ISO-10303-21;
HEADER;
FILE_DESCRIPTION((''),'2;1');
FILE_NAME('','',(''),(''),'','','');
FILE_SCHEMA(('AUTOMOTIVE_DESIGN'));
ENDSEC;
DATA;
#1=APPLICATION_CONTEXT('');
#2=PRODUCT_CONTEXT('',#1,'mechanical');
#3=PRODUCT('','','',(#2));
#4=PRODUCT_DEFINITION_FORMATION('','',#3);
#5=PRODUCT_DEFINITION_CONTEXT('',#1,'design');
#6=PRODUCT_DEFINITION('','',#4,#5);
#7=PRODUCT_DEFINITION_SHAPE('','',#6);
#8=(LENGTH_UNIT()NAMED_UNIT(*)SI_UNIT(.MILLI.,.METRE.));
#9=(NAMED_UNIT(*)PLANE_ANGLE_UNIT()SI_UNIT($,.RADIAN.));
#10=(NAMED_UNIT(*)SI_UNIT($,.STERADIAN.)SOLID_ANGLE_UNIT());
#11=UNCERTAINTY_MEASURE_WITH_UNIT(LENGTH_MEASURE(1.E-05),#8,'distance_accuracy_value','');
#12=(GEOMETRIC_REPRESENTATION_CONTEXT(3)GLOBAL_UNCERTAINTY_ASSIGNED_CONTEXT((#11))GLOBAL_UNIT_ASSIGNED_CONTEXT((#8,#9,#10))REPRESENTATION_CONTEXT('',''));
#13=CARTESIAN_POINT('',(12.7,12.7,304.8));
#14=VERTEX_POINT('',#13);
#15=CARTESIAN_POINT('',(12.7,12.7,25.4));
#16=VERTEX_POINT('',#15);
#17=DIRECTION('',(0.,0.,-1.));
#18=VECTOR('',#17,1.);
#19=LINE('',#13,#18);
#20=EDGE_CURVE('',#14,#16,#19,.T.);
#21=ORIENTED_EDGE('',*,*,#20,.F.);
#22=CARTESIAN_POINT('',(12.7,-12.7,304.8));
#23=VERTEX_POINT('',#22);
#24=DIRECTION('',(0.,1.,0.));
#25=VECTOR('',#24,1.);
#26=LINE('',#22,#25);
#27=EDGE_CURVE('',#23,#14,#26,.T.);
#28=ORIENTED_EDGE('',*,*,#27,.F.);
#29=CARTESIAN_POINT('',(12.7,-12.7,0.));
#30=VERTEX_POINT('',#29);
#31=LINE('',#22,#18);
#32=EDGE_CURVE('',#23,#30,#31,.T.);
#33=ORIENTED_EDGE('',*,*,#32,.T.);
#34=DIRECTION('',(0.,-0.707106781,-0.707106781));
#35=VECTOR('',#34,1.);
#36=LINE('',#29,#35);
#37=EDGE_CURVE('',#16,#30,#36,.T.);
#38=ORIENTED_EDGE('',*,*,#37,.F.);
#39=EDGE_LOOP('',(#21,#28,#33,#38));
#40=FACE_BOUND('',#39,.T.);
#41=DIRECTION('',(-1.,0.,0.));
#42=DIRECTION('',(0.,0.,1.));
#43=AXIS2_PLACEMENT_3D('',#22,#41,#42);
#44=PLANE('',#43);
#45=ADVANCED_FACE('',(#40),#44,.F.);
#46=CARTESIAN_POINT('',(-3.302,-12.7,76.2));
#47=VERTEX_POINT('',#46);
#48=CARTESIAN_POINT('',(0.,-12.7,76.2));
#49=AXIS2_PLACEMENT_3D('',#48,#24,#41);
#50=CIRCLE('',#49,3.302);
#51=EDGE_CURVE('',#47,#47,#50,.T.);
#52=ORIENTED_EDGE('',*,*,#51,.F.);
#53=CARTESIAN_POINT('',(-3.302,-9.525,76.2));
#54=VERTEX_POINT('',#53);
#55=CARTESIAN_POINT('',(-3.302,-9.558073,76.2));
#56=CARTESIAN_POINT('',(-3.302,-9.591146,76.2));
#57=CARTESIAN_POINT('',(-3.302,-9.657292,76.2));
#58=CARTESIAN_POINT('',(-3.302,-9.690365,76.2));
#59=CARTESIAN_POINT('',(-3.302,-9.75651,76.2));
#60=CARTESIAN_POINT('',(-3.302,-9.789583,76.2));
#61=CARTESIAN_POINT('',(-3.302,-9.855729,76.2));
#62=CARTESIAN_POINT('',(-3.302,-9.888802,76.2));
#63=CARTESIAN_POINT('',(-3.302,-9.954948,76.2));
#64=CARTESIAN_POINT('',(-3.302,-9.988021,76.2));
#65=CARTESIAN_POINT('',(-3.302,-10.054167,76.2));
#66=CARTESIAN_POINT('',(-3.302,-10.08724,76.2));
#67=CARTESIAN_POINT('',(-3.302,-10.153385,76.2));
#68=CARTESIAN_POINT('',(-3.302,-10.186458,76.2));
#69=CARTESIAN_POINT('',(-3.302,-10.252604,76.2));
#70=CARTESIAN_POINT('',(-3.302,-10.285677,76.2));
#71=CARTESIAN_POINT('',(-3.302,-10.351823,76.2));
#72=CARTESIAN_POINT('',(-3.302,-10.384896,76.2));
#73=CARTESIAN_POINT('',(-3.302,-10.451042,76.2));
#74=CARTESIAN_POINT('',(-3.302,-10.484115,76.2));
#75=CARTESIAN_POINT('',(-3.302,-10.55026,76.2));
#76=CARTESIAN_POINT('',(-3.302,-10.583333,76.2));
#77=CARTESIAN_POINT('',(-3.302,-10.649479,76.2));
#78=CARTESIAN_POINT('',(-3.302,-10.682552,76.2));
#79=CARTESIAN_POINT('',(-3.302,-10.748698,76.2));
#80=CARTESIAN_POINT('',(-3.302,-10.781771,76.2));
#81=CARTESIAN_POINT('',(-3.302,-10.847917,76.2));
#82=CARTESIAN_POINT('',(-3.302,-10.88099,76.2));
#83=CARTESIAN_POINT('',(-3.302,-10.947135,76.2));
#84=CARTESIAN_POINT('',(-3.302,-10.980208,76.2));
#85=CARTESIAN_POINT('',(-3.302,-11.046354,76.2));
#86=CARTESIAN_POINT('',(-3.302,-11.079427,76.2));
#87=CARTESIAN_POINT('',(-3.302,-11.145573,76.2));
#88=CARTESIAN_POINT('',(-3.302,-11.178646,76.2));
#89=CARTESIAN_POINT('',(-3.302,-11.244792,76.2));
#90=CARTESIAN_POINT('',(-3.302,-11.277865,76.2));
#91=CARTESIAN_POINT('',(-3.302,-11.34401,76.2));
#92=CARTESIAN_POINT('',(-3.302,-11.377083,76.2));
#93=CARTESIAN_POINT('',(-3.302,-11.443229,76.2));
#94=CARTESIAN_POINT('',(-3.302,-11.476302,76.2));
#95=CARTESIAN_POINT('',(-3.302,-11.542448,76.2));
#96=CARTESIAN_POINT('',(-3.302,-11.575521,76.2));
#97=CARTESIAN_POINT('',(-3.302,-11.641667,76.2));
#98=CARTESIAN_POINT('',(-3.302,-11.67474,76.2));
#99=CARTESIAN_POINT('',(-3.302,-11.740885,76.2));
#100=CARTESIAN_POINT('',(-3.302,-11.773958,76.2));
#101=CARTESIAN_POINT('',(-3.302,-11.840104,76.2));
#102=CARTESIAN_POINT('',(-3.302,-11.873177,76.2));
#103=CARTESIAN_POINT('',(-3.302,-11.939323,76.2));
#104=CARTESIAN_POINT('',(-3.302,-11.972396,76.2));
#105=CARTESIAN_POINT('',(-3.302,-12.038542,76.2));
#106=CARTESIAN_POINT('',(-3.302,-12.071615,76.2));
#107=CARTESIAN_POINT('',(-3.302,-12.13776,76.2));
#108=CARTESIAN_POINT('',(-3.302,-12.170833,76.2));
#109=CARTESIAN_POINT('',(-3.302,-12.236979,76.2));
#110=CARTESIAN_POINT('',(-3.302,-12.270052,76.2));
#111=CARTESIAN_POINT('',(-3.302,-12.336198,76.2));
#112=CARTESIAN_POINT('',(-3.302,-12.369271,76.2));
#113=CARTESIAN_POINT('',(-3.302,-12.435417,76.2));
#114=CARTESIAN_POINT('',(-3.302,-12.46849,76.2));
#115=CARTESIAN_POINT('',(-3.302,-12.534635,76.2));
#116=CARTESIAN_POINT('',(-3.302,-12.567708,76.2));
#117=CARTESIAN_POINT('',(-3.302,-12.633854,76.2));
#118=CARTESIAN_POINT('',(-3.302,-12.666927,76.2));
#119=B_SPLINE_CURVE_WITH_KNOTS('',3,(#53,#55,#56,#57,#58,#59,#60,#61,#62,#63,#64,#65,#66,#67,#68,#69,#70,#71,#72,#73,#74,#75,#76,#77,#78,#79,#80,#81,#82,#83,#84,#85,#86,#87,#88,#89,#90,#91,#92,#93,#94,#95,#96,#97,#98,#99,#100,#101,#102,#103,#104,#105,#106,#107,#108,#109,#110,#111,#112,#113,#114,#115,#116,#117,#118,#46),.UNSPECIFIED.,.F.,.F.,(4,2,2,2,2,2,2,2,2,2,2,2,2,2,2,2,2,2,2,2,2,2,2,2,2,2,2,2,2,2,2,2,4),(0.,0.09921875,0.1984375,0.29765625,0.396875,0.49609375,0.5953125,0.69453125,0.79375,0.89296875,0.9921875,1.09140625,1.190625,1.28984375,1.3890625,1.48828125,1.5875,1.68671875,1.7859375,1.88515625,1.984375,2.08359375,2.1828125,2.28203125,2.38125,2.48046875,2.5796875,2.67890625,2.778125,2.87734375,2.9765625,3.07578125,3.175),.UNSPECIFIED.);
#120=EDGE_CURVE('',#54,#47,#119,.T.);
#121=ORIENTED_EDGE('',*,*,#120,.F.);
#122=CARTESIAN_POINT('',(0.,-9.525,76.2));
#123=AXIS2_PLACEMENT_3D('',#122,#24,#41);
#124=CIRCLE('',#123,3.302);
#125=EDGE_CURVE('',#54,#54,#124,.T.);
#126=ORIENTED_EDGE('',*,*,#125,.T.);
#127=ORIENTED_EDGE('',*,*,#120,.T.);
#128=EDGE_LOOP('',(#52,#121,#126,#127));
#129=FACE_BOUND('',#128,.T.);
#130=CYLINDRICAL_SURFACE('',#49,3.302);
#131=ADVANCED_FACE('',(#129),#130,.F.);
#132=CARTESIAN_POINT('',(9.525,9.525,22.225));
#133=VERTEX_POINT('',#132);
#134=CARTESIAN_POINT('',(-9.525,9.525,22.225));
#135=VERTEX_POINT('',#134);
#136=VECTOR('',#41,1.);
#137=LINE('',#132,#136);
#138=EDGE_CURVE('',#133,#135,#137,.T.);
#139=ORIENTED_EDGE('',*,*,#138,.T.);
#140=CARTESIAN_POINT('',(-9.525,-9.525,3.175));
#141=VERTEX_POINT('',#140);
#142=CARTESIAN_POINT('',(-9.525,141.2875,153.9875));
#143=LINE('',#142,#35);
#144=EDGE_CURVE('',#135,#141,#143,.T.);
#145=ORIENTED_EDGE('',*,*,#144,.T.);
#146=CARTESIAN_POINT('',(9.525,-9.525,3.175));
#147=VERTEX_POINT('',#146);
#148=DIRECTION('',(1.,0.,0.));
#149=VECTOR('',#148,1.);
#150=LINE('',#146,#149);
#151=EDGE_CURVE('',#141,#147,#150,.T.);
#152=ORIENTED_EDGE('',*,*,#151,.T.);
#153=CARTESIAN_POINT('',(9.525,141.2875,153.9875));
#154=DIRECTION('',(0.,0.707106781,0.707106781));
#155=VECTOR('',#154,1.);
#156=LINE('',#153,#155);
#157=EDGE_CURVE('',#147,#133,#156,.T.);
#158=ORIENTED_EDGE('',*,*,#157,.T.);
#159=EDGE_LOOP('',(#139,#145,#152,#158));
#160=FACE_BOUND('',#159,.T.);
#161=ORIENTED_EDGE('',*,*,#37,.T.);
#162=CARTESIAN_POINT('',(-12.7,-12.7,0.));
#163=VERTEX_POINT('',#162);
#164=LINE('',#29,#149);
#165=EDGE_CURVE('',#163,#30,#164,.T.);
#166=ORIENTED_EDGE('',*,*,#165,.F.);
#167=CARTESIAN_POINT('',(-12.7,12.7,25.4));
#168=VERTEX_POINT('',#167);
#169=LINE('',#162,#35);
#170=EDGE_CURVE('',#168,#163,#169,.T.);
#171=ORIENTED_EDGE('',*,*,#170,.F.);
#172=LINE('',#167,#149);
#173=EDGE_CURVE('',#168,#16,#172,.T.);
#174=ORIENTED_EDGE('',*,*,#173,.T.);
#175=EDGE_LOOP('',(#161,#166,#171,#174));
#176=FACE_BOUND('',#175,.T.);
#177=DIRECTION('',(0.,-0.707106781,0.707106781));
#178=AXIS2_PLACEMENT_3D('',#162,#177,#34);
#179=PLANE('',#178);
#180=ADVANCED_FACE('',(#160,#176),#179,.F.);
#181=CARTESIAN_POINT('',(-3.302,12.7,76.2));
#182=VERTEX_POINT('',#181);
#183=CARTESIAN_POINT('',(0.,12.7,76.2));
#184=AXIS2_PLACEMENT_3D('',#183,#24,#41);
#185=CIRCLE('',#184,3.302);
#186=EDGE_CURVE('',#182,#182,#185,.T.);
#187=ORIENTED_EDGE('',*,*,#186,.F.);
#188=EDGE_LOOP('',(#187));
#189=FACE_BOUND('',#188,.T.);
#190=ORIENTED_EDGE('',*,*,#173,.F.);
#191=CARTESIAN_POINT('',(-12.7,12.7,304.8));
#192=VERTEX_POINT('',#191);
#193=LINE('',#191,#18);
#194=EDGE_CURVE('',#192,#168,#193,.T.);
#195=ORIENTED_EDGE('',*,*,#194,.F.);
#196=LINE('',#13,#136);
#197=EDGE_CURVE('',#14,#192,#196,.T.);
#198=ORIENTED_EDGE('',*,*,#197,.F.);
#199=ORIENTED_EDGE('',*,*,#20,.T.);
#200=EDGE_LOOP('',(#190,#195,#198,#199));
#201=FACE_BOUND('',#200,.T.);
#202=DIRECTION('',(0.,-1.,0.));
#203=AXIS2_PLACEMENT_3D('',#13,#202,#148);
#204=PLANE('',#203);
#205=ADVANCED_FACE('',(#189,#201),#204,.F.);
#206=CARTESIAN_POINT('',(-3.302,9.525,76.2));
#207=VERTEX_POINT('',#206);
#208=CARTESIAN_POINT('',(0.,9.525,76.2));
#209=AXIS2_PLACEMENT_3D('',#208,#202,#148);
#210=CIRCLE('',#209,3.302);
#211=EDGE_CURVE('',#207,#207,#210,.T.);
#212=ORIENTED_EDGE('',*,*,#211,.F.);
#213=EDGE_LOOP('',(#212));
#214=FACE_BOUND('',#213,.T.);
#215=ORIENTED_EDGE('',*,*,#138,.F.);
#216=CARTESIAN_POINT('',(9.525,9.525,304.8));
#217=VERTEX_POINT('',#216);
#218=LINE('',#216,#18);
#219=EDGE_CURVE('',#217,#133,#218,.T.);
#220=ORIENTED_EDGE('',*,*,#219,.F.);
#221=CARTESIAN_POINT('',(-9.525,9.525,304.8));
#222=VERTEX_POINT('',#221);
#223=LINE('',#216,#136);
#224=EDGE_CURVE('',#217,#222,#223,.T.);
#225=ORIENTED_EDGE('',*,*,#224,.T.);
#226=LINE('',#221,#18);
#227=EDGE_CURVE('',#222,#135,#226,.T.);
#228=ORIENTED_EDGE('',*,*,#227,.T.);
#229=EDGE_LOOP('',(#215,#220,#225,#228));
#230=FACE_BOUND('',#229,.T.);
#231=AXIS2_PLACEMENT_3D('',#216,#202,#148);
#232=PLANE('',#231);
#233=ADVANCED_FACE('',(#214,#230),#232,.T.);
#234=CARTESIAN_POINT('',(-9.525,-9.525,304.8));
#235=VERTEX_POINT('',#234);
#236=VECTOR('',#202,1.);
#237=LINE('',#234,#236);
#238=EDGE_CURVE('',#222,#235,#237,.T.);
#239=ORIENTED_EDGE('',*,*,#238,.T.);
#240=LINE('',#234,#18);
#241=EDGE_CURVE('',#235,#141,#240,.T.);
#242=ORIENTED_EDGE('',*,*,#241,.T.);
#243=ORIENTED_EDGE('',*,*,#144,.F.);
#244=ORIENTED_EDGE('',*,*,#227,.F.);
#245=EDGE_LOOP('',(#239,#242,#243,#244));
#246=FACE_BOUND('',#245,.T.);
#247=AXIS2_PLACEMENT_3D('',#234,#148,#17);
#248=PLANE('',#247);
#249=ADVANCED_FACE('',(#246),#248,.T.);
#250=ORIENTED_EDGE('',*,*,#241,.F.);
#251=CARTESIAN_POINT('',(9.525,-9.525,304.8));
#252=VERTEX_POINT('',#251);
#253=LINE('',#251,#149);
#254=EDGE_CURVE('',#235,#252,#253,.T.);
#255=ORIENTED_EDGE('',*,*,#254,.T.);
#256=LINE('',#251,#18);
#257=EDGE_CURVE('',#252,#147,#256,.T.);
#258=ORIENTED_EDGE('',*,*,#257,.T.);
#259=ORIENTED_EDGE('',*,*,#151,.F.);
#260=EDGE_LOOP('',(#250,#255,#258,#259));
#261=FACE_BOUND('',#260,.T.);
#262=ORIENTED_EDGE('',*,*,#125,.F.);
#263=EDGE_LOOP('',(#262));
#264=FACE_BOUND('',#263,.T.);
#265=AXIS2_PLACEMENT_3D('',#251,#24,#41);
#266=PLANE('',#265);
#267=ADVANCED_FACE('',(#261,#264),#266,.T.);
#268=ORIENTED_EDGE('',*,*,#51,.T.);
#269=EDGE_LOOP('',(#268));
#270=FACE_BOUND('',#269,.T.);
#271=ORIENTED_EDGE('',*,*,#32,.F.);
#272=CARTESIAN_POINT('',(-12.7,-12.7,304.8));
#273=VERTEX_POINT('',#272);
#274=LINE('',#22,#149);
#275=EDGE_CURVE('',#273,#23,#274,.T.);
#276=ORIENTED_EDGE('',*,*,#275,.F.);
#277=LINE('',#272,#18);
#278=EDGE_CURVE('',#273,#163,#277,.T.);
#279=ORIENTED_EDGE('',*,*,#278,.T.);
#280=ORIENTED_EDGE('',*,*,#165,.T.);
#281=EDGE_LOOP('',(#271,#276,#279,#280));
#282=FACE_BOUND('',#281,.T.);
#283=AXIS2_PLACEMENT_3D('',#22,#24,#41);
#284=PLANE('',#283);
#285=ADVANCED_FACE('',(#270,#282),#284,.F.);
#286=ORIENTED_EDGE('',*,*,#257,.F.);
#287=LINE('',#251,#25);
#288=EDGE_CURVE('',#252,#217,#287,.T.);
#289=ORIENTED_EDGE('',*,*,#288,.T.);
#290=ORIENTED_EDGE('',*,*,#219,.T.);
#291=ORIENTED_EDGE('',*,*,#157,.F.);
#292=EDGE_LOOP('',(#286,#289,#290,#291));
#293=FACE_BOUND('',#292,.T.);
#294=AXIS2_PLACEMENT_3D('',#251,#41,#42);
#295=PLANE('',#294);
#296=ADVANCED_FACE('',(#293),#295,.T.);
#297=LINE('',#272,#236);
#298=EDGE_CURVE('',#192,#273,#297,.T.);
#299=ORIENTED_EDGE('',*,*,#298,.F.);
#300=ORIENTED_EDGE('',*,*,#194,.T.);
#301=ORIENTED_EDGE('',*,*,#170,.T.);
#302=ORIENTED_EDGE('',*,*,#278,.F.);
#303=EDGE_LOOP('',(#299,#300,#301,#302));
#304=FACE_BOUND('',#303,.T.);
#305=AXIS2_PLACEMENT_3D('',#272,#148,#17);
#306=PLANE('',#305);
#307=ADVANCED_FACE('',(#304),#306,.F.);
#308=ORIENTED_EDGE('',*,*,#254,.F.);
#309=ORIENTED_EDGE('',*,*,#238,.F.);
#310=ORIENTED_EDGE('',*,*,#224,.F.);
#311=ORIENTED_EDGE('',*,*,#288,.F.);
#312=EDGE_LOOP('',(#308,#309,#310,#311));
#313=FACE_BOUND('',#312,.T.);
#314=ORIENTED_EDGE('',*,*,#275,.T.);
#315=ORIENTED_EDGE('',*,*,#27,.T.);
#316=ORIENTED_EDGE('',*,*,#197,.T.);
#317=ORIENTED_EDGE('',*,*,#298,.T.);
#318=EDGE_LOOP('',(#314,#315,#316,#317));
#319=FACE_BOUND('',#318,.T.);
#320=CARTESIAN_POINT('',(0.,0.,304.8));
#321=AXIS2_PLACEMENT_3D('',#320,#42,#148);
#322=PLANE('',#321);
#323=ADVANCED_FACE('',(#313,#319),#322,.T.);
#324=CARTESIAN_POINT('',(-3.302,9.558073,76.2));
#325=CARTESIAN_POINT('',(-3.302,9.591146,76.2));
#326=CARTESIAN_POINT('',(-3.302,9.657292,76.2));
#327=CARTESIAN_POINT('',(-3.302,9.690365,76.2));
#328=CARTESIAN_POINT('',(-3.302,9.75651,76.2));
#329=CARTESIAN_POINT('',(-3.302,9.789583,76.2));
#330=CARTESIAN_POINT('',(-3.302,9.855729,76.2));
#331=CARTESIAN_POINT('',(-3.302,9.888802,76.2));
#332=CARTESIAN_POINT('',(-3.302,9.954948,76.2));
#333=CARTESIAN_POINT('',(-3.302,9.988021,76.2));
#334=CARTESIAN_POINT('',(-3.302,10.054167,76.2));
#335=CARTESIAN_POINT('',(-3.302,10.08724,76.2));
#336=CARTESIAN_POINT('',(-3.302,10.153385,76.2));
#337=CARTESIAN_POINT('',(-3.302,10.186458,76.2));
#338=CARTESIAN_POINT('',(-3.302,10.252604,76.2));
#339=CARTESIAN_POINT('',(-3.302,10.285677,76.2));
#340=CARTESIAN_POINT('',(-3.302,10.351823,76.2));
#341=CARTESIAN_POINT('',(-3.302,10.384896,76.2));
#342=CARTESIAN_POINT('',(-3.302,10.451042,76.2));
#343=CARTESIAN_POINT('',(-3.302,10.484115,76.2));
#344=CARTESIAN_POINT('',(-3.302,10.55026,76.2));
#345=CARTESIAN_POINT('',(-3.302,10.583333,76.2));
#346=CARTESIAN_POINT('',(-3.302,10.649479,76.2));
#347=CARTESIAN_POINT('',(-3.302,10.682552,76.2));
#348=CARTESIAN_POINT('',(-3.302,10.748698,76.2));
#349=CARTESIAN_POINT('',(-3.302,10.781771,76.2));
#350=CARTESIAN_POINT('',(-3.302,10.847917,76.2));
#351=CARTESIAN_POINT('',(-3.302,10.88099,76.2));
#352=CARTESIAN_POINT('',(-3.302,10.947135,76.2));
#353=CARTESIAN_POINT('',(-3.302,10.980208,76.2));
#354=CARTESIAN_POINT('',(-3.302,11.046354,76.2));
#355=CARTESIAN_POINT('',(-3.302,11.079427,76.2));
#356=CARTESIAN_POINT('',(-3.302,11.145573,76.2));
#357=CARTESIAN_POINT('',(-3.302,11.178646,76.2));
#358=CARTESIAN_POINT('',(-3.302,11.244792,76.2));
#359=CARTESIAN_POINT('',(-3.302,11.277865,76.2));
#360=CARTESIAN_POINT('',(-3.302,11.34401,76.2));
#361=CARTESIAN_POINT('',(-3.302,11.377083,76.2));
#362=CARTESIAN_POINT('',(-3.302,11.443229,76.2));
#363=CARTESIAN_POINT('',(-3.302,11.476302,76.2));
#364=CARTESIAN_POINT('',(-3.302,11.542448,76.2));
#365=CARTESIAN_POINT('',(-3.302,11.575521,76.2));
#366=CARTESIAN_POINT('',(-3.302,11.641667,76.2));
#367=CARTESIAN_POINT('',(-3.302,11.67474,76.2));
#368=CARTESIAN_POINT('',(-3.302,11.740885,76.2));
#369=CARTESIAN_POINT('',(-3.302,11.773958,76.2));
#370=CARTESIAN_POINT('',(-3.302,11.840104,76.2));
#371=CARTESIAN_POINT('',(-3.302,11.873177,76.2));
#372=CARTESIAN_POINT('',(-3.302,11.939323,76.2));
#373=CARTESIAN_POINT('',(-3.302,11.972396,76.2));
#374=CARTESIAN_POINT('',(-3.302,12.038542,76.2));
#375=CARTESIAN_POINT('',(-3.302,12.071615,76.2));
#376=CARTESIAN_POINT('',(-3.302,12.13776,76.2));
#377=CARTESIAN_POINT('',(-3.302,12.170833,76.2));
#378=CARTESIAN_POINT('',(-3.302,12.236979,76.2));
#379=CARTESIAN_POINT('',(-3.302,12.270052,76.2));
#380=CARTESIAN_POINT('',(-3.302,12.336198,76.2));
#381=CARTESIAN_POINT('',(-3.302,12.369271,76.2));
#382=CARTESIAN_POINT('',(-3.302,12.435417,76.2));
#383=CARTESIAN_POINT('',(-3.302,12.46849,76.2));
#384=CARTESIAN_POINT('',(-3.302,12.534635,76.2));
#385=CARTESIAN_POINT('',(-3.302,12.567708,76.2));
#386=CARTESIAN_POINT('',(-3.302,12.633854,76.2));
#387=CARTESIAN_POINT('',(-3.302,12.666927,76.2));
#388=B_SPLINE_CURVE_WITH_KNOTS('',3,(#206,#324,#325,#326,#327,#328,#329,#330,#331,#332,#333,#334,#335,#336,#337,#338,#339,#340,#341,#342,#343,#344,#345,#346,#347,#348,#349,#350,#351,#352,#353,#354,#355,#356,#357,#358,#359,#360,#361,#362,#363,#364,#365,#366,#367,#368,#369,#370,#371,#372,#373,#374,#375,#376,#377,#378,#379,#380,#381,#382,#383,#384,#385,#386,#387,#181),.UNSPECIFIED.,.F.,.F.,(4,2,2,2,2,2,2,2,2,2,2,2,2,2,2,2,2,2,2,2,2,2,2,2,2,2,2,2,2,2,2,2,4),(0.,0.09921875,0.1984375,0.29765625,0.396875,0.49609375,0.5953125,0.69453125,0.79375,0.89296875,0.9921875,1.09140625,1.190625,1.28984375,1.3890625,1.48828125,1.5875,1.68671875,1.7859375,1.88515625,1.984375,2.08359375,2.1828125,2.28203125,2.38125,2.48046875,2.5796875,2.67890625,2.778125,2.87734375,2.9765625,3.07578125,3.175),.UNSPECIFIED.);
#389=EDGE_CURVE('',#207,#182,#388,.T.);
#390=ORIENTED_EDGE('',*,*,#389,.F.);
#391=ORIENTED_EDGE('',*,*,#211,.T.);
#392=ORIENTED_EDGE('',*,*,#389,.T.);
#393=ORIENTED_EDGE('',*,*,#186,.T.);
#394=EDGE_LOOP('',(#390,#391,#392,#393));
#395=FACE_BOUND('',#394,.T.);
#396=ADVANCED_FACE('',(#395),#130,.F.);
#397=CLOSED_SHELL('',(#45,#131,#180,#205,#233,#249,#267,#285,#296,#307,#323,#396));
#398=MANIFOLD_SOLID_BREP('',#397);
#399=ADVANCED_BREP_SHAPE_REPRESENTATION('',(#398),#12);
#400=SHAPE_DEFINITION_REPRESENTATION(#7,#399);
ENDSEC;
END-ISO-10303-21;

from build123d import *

# Parameters (mm, degrees)
SKETCH1_W           = 25.4
SKETCH1_H           = 25.4
SKETCH1_W_2         = 19.05
SKETCH1_H_2         = 19.05
BOSS_EXTRUDE1_DEPTH = 304.8
CUT_EXTRUDE1_DEPTH  = 307.120058147
SKETCH3_R           = 3.302
CUT_EXTRUDE2_DEPTH  = 307.120058147


with BuildPart() as part:
    # Sketch1 → Boss-Extrude1 (new body)
    with BuildSketch(Plane.XY):
        Rectangle(SKETCH1_W, SKETCH1_H)
        Rectangle(SKETCH1_W_2, SKETCH1_H_2, mode=Mode.SUBTRACT)
    extrude(amount=BOSS_EXTRUDE1_DEPTH)

    # Sketch2 → Cut-Extrude1 (cut, through all)
    with BuildSketch(Plane(origin=(12.7, 0, 0), x_dir=(0, 0, -1), z_dir=(1, 0, 0))):
        Polygon((0, 12.7), (0, -12.7), (-25.4, 12.7), align=None)
    extrude(amount=-CUT_EXTRUDE1_DEPTH, mode=Mode.SUBTRACT)

    # Sketch3 → Cut-Extrude2 (cut, through all)
    with BuildSketch(Plane(origin=(0, 12.7, 0), x_dir=(1, 0, 0), z_dir=(0, 1, 0))):
        with Locations(Location((0, -76.2, 0), (0, 0, 180))):
            Circle(SKETCH3_R)
    extrude(amount=-CUT_EXTRUDE2_DEPTH, mode=Mode.SUBTRACT)


solid = part.part
